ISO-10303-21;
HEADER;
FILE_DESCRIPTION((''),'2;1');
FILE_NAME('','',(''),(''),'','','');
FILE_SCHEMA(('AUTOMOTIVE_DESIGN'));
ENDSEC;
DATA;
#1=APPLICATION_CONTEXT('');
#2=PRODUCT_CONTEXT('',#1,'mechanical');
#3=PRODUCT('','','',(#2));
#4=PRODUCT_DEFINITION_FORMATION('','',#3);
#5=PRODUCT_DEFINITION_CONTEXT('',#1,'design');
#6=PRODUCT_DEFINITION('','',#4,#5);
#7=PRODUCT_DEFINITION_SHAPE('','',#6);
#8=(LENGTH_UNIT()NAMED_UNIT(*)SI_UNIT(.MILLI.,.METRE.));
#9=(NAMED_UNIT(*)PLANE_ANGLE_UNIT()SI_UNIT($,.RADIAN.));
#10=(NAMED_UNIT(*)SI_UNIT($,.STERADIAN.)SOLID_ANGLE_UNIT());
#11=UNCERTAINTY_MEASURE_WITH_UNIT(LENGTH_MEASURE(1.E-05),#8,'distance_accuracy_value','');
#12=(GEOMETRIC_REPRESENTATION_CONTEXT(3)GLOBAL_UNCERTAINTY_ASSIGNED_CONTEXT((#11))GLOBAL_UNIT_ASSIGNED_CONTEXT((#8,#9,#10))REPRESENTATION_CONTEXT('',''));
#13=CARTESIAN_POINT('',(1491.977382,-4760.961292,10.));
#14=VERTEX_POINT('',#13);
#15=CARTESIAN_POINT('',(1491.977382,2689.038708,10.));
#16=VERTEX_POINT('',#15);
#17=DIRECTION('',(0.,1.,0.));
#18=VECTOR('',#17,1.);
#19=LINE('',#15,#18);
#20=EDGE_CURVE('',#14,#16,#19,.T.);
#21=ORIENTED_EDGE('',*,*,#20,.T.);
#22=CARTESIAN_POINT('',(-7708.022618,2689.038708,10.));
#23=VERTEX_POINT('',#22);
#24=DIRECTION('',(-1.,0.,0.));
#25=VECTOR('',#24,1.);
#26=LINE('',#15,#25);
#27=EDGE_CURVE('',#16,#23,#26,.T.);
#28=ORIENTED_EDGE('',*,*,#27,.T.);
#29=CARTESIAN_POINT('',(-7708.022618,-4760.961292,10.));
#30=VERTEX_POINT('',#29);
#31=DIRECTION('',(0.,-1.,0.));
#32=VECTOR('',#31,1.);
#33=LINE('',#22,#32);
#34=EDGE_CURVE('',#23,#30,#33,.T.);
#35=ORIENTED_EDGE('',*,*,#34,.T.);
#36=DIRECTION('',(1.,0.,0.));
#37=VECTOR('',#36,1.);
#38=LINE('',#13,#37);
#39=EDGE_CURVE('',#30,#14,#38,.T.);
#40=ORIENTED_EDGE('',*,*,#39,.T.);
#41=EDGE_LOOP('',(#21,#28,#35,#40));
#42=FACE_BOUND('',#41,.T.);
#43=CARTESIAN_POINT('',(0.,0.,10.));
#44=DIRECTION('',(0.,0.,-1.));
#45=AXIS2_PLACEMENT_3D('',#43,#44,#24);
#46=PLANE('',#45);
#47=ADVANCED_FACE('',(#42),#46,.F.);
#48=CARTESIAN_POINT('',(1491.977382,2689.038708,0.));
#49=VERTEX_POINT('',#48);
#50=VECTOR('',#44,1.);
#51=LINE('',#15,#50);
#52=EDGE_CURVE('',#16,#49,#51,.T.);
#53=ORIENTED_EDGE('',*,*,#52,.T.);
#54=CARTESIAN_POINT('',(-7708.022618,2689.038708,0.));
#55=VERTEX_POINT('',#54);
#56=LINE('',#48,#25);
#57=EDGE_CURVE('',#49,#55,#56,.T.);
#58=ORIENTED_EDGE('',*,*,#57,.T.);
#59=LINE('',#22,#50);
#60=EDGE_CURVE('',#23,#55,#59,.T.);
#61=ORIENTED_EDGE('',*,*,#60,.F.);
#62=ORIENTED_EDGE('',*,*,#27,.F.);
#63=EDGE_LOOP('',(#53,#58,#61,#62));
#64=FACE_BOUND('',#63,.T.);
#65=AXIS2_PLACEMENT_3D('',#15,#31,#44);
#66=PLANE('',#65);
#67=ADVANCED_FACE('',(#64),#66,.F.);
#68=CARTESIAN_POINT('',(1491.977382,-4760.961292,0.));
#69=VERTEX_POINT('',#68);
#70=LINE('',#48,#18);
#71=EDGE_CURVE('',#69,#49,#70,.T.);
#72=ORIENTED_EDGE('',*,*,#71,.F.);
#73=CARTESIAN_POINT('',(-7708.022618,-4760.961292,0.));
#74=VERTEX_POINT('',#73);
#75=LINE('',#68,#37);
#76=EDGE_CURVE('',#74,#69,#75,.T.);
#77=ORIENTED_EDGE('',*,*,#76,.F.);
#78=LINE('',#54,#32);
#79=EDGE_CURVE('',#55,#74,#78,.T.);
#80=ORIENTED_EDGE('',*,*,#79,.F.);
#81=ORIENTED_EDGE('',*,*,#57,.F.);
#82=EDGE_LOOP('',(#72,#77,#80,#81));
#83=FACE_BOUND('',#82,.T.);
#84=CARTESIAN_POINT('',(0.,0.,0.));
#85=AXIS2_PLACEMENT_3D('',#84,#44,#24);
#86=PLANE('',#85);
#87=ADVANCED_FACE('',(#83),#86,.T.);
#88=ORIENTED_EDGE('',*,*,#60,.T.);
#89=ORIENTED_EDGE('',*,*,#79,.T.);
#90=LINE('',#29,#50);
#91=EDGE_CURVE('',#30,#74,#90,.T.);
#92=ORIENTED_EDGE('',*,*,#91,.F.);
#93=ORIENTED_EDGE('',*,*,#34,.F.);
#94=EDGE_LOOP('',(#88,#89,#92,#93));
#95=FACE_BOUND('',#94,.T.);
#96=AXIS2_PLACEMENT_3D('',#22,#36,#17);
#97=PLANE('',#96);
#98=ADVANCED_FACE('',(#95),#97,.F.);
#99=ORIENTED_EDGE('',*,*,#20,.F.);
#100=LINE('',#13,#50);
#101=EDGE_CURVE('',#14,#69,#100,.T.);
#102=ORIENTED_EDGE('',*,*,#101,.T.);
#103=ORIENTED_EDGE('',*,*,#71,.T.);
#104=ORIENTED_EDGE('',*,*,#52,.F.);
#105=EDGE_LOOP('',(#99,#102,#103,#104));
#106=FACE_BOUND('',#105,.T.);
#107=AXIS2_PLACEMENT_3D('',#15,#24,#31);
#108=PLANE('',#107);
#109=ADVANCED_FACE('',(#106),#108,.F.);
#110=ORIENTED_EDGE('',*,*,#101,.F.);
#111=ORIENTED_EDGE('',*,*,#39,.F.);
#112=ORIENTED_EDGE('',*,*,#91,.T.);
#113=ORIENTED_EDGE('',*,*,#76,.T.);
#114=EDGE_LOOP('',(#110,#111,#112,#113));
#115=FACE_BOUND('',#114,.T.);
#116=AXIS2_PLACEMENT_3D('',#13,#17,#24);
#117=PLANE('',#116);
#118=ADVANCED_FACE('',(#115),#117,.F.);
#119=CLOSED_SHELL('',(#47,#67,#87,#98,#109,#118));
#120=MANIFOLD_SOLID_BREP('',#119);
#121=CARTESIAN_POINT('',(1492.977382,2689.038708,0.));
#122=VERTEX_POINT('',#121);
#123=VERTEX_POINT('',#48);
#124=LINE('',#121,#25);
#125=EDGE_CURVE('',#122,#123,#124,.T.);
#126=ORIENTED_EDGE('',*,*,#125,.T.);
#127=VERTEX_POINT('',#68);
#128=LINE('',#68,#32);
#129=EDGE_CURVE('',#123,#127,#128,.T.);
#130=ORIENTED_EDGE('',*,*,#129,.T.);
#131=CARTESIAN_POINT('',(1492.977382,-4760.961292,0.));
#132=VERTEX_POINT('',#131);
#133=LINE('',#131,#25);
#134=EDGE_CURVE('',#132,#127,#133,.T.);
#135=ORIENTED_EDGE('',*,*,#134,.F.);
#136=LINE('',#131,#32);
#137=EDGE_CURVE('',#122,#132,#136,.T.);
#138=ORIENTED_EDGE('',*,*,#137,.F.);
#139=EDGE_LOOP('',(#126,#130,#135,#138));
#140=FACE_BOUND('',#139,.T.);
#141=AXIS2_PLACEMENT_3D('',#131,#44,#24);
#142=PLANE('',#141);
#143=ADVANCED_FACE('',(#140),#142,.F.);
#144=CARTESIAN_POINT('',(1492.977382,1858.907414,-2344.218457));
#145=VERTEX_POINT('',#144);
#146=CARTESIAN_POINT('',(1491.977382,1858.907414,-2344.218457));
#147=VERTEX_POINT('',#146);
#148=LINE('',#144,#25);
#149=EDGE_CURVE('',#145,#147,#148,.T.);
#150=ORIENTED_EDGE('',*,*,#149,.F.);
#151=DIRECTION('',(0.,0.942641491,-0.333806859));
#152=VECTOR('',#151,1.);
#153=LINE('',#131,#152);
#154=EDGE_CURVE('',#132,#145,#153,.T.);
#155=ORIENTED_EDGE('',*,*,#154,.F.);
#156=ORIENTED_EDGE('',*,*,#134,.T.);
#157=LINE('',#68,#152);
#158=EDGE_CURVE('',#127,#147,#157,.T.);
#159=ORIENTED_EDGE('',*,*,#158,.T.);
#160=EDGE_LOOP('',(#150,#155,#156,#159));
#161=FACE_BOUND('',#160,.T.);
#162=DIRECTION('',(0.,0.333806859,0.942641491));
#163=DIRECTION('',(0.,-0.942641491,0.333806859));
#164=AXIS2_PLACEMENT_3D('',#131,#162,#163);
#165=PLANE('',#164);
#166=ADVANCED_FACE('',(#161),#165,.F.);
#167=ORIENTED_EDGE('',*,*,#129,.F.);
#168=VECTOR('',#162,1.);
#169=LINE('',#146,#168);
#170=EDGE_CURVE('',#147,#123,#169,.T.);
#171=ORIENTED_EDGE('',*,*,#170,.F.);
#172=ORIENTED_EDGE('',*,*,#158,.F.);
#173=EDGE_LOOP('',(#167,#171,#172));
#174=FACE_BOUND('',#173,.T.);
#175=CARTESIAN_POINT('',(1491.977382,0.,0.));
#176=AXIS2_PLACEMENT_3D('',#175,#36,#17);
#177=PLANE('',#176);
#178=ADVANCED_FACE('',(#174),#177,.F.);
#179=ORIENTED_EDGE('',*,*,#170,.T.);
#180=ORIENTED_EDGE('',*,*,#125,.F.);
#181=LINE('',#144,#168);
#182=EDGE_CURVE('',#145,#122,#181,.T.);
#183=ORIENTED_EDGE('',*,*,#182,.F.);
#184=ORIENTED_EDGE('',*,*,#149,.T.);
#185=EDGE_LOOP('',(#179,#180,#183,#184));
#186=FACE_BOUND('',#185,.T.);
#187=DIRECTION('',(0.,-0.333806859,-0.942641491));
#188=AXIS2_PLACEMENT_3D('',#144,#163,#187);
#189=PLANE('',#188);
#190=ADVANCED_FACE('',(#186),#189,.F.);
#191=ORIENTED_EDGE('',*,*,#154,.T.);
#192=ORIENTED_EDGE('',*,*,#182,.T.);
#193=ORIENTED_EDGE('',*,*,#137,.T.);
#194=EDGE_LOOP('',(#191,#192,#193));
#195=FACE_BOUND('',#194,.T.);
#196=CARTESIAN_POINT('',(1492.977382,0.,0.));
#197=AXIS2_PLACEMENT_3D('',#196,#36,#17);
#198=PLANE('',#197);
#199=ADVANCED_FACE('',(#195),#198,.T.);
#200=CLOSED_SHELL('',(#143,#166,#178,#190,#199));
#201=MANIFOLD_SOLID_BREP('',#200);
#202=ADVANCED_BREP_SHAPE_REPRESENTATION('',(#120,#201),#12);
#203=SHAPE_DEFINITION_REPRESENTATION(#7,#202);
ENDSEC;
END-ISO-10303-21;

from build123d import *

# Parameters (mm, degrees)
SKETCH_1_W      = 9200
SKETCH_1_H      = 7450
EXTRUDE_1_DEPTH = 10
EXTRUDE_2_DEPTH = 1


with BuildPart() as part:
    # Эскиз1 → Бобышка-Вытянуть1 (new body)
    with BuildSketch(Plane.XY):
        with Locations((-3108.022618245, -1035.961292375)):
            Rectangle(SKETCH_1_W, SKETCH_1_H)
    extrude(amount=EXTRUDE_1_DEPTH)


with BuildPart() as body_2:
    # Эскиз2 → Бобышка-Вытянуть2 (new body)
    with BuildSketch(Plane(origin=(1491.977381755, 0, 0), x_dir=(0, 0, -1), z_dir=(1, 0, 0))):
        Polygon((0, -4760.961292375), (2344.218456661, 1858.907414052), (0, 2689.038707625), align=None)
    extrude(amount=EXTRUDE_2_DEPTH)


solid = Compound([part.part, body_2.part])
